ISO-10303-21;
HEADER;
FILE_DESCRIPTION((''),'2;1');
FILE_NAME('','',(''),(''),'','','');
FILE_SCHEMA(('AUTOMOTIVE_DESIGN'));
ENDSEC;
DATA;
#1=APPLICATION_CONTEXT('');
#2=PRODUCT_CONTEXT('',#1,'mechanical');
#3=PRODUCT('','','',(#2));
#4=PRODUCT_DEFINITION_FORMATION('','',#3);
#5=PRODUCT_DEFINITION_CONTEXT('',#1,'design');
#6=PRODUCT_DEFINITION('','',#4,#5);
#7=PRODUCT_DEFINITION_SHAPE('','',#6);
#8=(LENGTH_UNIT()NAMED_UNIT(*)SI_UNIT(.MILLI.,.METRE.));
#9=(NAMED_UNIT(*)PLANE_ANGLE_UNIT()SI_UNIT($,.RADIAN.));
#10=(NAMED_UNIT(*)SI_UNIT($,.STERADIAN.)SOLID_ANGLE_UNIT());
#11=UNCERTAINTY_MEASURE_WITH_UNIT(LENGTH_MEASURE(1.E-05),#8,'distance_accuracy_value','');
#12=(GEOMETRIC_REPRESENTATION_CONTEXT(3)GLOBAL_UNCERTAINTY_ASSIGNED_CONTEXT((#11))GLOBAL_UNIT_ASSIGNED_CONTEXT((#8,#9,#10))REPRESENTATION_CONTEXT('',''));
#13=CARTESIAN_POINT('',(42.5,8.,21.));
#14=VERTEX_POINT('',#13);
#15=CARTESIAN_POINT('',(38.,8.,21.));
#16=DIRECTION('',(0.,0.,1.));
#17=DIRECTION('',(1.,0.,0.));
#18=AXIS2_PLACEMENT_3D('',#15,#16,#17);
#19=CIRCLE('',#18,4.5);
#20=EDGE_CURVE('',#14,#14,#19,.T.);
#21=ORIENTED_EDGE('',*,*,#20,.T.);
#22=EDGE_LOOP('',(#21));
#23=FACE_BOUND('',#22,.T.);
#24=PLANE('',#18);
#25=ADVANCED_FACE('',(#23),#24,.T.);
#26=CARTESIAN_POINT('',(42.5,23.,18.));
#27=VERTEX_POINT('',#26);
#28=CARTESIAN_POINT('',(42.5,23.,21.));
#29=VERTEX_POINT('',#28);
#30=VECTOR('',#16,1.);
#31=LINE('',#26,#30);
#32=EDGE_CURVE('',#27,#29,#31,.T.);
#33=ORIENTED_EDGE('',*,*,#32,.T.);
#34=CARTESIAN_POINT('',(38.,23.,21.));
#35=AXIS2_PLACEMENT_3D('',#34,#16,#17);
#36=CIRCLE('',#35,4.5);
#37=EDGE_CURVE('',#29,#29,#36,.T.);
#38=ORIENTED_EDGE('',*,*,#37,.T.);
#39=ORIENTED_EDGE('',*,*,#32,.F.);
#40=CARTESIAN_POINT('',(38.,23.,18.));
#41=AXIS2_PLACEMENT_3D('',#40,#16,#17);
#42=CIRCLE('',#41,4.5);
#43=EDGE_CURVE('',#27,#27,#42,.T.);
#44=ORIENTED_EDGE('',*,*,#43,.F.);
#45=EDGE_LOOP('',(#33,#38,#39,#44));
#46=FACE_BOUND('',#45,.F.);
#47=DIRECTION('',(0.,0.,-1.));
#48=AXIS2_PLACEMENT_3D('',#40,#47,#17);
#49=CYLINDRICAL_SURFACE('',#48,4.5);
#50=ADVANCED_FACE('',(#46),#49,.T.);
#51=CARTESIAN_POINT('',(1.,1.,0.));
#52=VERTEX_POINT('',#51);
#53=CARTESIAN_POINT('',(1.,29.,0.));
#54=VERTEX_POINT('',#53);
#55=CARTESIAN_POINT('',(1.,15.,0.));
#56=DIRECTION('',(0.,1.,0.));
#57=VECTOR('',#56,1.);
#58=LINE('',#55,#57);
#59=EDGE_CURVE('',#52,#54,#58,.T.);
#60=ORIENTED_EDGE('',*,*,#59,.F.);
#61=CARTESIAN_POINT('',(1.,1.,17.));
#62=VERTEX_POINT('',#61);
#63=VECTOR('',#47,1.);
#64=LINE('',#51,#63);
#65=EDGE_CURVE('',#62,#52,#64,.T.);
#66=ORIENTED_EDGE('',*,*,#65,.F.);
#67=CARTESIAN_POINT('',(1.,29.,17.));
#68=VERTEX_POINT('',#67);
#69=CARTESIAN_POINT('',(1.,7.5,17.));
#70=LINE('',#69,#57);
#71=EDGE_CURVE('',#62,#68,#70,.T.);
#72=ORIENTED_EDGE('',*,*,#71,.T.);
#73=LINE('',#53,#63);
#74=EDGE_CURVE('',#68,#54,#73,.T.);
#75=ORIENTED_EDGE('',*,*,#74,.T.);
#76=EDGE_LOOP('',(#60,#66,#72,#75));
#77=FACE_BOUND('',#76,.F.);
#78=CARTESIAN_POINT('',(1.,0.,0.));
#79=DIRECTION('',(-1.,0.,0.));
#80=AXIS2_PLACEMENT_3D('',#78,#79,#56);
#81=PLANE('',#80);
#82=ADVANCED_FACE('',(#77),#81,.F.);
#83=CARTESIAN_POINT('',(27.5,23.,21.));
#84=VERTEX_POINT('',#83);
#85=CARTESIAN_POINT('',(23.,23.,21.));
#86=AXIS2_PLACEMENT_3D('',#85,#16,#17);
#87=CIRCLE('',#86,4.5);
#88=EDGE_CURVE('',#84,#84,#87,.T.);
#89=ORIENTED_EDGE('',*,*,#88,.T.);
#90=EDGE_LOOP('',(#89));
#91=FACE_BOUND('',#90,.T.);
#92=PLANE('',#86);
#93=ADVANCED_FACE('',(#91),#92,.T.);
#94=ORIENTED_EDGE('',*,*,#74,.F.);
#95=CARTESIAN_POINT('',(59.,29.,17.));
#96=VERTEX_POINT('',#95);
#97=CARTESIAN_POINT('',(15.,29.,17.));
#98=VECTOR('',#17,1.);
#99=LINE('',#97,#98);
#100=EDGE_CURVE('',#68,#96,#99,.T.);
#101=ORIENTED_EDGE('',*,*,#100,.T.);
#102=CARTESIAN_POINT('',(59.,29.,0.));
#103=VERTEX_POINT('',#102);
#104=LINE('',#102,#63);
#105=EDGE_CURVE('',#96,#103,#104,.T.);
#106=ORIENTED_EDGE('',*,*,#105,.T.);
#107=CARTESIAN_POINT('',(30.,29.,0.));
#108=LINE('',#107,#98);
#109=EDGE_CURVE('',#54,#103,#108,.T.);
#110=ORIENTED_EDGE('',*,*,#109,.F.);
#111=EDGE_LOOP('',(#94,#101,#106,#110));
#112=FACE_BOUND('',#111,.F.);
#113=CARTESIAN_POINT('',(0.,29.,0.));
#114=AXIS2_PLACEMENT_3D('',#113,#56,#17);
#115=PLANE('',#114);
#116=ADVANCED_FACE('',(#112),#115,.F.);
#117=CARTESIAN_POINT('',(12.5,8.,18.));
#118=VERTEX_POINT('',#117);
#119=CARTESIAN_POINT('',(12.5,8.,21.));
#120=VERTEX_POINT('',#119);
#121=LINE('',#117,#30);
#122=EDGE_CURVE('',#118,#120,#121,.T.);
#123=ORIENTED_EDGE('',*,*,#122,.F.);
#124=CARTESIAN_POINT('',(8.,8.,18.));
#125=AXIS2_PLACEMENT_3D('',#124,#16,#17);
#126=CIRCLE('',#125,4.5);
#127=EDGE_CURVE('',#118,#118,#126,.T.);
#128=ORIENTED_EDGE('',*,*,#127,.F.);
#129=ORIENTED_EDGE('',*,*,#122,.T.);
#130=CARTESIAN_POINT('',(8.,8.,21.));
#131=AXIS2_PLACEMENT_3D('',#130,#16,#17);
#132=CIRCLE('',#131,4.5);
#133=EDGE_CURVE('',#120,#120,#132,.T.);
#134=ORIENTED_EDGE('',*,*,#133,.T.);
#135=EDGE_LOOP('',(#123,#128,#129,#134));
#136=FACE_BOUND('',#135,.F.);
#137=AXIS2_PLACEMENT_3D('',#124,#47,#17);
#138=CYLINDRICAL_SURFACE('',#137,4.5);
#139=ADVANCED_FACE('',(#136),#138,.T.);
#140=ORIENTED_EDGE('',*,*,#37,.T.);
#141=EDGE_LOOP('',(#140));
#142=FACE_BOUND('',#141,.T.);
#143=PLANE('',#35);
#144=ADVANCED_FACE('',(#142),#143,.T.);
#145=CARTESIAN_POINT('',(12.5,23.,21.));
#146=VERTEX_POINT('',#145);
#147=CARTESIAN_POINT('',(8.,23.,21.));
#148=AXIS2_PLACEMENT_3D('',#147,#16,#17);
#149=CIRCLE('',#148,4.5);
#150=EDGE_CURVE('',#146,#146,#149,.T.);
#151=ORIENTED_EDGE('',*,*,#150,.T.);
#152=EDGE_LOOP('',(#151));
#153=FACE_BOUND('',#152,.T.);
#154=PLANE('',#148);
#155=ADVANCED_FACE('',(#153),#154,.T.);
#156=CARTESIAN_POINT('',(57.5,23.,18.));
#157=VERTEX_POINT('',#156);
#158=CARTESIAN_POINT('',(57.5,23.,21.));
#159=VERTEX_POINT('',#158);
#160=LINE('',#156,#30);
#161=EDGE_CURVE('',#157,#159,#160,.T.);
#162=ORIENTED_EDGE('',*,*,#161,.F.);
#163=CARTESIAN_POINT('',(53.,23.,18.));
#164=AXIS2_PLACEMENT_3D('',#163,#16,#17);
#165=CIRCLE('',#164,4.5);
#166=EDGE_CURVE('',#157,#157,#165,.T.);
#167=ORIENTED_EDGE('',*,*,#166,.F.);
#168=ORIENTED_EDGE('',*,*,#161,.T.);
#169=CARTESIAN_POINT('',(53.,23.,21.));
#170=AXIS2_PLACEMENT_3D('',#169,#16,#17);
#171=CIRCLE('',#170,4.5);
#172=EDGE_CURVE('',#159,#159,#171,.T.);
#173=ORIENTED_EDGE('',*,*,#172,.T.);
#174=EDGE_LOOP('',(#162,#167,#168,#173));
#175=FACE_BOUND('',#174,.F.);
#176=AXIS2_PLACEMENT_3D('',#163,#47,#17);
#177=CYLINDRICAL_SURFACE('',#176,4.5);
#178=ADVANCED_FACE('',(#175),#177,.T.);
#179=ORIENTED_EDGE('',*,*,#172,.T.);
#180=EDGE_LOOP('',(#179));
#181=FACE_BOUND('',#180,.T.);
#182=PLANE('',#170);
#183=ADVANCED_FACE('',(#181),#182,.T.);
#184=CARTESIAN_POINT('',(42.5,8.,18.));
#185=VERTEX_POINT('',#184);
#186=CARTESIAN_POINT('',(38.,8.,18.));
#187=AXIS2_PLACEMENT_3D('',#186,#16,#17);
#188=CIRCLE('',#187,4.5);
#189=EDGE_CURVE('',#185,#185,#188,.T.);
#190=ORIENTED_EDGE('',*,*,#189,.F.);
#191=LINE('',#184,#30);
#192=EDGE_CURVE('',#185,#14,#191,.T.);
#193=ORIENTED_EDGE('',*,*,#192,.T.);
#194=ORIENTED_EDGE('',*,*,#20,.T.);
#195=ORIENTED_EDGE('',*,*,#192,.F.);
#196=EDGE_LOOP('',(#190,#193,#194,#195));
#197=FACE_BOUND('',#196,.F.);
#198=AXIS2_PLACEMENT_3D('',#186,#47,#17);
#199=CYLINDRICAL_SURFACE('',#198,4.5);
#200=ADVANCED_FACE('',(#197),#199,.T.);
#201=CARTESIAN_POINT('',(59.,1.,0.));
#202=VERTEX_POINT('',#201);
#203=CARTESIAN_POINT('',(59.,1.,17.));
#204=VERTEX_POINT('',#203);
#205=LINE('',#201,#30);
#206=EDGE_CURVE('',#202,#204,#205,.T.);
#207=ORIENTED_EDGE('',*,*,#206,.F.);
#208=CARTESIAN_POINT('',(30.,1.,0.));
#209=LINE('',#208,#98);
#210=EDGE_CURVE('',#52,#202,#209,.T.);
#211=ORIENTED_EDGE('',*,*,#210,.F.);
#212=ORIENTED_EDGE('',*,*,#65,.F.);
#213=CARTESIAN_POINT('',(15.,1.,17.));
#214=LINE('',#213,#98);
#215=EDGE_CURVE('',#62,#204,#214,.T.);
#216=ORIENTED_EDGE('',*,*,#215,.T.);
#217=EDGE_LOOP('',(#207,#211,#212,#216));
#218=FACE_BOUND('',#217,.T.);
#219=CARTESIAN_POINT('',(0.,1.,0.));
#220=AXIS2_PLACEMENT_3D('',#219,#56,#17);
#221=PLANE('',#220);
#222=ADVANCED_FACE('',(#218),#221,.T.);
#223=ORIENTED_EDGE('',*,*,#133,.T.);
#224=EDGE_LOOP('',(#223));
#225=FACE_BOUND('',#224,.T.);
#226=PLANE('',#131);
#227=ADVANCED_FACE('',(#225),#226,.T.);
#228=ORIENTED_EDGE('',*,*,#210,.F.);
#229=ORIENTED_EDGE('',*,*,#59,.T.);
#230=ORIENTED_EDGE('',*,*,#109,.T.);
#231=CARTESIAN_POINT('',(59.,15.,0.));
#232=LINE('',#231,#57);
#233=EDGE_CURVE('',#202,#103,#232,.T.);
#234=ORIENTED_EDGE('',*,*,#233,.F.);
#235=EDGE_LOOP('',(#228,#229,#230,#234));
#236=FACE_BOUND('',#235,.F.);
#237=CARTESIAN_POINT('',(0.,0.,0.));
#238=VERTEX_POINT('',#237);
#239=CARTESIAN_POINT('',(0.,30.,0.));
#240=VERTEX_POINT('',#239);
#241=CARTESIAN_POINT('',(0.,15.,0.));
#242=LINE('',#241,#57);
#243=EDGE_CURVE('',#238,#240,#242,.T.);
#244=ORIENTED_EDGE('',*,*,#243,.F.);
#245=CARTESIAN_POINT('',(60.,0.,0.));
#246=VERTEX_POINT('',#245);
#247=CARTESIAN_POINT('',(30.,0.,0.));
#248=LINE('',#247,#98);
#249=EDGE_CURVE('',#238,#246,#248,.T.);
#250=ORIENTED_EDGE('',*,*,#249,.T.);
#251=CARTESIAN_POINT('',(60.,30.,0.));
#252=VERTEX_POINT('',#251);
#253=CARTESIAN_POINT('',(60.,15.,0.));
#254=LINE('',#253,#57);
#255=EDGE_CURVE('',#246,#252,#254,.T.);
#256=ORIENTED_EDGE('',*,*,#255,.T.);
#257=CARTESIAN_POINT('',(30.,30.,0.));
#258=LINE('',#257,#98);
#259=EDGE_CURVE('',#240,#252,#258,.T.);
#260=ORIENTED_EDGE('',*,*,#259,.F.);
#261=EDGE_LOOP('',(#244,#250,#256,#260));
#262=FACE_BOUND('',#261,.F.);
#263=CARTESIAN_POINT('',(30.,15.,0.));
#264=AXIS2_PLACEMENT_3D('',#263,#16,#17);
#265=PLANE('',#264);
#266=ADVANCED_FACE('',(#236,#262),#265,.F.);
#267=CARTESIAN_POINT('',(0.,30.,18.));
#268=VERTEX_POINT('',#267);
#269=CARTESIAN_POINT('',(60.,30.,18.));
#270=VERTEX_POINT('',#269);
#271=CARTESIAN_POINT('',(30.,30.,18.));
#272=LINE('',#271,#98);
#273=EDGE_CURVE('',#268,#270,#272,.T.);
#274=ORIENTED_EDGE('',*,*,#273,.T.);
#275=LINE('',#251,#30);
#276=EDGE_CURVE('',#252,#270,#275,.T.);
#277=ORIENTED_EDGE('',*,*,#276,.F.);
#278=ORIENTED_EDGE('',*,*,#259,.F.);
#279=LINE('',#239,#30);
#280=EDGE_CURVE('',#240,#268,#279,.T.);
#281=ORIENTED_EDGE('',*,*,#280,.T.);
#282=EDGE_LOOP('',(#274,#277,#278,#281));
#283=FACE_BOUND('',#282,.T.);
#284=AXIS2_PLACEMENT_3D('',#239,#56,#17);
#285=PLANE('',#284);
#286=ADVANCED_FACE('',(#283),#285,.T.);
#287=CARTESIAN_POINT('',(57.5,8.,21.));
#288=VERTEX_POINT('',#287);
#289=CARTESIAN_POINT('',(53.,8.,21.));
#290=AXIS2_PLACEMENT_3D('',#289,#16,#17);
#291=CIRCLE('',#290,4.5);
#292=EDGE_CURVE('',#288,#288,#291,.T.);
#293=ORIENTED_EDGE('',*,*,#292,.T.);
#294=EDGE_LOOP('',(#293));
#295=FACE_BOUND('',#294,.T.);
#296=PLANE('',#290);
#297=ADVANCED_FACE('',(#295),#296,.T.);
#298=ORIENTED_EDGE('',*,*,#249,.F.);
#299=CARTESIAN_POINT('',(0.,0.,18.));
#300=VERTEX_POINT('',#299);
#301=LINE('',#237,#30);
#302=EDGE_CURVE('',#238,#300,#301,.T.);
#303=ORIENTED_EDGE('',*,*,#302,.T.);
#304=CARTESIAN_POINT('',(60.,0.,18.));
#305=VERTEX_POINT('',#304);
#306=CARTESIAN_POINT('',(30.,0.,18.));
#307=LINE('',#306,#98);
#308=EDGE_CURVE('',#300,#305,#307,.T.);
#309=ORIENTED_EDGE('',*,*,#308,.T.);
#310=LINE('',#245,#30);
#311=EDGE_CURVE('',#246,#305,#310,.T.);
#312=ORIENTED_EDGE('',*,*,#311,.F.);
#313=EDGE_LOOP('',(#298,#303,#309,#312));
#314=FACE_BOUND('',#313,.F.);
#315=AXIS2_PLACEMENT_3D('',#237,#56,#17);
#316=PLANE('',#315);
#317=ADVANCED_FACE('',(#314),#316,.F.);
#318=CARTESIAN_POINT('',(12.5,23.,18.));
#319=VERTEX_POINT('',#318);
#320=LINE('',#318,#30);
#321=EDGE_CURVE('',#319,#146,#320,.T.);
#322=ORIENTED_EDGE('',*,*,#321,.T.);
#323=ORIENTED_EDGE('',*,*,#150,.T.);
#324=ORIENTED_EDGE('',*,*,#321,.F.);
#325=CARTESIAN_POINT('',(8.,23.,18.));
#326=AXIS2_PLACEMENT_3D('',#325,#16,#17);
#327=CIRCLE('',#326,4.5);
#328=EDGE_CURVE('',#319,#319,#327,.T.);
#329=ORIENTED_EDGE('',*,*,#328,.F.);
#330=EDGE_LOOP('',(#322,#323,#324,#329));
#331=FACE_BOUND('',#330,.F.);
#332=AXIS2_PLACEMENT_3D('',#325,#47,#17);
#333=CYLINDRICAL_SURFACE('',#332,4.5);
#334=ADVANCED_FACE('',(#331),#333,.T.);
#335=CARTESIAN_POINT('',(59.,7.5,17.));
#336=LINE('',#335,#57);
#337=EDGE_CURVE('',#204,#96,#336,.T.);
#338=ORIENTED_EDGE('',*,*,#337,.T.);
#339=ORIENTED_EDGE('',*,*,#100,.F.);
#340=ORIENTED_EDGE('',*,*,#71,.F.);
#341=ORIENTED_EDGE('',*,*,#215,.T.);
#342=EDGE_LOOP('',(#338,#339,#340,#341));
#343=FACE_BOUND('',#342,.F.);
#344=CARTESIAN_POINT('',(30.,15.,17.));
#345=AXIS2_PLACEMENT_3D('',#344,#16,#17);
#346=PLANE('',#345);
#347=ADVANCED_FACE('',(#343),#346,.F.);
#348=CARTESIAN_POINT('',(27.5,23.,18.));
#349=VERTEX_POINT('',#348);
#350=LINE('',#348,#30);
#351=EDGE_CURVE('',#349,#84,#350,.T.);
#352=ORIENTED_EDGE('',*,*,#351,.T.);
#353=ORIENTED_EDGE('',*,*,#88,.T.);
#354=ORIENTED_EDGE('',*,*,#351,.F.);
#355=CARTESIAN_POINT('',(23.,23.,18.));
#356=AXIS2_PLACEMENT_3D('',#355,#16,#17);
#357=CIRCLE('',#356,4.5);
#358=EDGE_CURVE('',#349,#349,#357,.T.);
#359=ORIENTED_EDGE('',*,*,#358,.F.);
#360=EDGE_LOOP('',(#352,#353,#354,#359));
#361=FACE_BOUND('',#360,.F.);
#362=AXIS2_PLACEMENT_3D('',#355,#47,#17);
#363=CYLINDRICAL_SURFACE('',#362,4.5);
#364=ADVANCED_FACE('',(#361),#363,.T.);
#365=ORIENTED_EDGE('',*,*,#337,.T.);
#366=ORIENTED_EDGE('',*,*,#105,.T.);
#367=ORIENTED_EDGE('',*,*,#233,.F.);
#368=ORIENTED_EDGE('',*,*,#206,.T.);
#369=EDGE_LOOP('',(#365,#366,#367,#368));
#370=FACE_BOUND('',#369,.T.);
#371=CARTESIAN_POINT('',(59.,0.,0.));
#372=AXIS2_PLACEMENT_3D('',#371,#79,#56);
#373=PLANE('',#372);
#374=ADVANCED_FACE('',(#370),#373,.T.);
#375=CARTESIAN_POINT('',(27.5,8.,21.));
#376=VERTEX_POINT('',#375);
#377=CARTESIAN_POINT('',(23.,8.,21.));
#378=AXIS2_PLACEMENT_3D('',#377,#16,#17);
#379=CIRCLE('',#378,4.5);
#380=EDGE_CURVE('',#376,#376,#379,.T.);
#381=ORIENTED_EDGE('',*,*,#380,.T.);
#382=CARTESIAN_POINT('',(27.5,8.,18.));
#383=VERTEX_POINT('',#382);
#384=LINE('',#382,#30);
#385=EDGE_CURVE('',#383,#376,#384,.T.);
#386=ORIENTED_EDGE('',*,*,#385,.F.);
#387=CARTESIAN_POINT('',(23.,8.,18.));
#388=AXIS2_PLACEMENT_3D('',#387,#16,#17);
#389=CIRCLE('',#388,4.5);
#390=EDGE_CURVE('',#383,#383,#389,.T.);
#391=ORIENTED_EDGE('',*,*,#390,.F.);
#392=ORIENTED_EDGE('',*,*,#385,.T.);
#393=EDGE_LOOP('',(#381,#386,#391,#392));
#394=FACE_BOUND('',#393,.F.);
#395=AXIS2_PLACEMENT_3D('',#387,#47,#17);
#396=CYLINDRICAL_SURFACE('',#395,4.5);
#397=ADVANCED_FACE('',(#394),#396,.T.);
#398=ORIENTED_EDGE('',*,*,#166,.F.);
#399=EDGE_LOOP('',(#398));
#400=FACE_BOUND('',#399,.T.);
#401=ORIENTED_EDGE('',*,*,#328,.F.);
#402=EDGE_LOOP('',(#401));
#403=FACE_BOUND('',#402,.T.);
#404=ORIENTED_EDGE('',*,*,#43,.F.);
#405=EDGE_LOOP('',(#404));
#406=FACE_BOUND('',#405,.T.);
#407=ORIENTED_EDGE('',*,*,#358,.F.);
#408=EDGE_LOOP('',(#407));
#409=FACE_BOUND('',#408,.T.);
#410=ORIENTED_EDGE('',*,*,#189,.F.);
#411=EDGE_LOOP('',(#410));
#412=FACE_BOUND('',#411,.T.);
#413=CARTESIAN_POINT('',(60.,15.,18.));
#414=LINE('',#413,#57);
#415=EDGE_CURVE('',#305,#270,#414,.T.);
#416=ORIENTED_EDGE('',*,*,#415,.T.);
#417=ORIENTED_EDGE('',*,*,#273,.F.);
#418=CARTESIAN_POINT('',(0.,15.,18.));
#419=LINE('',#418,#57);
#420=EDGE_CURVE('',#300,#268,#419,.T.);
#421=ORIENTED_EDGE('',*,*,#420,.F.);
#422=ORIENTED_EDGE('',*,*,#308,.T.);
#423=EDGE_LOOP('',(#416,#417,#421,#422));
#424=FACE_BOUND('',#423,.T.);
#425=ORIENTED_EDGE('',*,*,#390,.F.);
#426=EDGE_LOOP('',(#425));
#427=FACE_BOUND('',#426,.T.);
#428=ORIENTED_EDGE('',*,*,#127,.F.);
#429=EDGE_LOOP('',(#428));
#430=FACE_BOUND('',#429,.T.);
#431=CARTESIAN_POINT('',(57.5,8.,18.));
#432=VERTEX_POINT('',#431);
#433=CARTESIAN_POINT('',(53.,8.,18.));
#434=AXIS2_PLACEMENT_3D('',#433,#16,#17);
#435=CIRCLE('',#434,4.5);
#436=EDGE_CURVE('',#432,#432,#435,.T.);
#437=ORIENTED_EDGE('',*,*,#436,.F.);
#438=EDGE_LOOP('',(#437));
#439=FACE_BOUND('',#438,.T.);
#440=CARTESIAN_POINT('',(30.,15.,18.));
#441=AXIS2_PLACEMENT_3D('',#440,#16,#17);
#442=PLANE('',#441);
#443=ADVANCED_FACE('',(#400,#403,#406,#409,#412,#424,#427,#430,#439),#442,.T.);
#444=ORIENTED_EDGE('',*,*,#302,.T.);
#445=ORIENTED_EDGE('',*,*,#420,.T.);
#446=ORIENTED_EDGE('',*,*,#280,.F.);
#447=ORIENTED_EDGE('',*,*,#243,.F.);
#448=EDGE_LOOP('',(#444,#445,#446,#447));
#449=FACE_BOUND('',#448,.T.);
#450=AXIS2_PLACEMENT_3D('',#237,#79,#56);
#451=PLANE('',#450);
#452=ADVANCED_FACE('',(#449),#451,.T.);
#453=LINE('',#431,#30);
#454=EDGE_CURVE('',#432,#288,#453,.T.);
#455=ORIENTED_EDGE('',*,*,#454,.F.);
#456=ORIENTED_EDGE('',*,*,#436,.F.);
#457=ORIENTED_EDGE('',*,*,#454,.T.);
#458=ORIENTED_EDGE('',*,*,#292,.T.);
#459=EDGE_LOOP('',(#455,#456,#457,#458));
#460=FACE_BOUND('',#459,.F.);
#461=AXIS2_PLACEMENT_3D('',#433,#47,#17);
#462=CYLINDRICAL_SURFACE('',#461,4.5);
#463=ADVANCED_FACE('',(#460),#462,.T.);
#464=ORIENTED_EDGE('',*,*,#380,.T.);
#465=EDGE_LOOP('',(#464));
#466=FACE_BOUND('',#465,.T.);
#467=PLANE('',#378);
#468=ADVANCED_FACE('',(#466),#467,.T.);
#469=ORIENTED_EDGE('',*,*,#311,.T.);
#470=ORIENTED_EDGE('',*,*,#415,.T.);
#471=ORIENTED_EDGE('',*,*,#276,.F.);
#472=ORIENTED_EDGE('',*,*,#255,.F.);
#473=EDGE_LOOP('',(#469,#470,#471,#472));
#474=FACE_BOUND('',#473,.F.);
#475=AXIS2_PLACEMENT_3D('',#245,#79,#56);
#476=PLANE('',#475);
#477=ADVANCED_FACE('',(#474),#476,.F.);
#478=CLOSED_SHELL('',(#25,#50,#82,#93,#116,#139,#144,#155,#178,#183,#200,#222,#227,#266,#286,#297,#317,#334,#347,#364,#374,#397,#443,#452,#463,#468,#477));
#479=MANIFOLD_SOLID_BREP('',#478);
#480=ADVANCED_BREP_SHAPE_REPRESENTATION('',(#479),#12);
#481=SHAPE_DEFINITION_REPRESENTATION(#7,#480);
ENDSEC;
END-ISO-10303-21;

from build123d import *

# Parameters (mm, degrees)
F0_W     = 60
F0_H     = 30
F1_DEPTH = 18
F2_T     = -1
F3_R     = 4.5
F4_DEPTH = 3


with BuildPart() as f1:
    # F0 (on Top) → F1 (new body)
    with BuildSketch(Plane.XY):
        with Locations((30, 15)):
            Rectangle(F0_W, F0_H)
    extrude(amount=F1_DEPTH)

    # F2
    f2_openings = [f1.faces().sort_by_distance(p)[0] for p in [
        (30, 15, 0),
    ]]
    offset(amount=F2_T, openings=f2_openings)

    # F3 (on face) → F4 (join)
    with BuildSketch(Plane.XY.offset(18)):
        with Locations((8, 8)):
            Circle(F3_R)
        with Locations((23, 8)):
            Circle(F3_R)
        with Locations((8, 23)):
            Circle(F3_R)
        with Locations((23, 23)):
            Circle(F3_R)
        with Locations((38, 23)):
            Circle(F3_R)
        with Locations((53, 8)):
            Circle(F3_R)
        with Locations((38, 8)):
            Circle(F3_R)
        with Locations((53, 23)):
            Circle(F3_R)
    extrude(amount=F4_DEPTH)


solid = f1.part
